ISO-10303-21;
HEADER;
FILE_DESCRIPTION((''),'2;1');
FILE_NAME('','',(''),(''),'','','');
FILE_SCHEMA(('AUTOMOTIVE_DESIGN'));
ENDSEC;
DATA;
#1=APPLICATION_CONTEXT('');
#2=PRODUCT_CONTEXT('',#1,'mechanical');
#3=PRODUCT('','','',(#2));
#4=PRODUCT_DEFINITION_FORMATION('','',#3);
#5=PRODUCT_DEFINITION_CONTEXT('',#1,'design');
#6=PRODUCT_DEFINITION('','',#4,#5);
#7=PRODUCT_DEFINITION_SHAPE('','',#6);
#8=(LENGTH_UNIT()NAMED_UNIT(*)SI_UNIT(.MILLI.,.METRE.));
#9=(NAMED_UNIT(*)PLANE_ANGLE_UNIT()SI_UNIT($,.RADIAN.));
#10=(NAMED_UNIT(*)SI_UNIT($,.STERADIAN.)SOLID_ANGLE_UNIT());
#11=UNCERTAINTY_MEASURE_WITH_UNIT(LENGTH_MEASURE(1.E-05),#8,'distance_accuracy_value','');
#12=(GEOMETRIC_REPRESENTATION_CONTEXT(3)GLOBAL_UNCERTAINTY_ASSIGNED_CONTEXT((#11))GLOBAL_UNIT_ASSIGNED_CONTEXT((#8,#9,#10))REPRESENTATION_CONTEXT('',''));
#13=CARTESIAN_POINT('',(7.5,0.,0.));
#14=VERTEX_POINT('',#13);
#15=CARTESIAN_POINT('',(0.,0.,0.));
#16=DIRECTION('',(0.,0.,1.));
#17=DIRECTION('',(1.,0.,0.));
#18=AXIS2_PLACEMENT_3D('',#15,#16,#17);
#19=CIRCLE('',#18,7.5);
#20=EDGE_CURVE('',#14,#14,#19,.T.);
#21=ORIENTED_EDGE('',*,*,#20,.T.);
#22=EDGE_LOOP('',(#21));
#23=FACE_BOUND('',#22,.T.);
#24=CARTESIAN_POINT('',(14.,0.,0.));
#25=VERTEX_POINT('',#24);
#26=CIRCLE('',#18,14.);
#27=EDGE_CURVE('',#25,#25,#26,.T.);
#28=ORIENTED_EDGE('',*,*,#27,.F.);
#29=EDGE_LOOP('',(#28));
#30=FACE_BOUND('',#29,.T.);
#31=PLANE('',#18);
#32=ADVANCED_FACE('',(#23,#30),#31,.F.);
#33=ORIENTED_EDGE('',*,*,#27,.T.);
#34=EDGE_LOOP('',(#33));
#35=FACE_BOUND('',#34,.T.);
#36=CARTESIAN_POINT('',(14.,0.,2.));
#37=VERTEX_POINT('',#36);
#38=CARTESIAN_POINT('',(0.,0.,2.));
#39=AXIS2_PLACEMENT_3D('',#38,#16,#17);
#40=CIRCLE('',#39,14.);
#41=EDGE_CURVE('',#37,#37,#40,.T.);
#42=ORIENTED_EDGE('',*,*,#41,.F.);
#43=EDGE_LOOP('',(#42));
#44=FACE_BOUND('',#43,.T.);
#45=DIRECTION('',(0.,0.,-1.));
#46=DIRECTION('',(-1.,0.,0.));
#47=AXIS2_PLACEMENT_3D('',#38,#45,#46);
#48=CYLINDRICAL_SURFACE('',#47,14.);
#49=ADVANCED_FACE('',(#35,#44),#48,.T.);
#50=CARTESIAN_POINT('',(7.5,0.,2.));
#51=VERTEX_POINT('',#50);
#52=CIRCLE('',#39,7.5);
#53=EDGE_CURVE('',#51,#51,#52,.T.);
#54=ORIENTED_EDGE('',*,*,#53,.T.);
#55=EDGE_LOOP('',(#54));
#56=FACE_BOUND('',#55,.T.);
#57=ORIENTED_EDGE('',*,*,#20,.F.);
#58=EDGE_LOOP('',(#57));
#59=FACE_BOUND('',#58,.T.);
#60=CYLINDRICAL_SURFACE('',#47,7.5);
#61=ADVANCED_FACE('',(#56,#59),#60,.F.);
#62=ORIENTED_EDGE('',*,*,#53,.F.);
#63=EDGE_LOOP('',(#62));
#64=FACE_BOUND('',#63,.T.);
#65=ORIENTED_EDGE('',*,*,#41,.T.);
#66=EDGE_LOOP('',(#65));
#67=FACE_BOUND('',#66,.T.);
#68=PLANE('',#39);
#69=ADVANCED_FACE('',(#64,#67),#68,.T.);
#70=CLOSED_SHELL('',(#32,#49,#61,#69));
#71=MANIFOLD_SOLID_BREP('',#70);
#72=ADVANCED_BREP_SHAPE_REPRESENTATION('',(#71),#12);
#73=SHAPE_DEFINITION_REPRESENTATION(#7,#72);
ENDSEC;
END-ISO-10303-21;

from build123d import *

# Parameters (mm, degrees)
SKETCH1_R           = 14
SKETCH1_R_2         = 7.5
BOSS_EXTRUDE1_DEPTH = 2


with BuildPart() as part:
    # Sketch1 → Boss-Extrude1 (new body)
    with BuildSketch(Plane.XY):
        Circle(SKETCH1_R)
        Circle(SKETCH1_R_2, mode=Mode.SUBTRACT)
    extrude(amount=BOSS_EXTRUDE1_DEPTH)


solid = part.part
